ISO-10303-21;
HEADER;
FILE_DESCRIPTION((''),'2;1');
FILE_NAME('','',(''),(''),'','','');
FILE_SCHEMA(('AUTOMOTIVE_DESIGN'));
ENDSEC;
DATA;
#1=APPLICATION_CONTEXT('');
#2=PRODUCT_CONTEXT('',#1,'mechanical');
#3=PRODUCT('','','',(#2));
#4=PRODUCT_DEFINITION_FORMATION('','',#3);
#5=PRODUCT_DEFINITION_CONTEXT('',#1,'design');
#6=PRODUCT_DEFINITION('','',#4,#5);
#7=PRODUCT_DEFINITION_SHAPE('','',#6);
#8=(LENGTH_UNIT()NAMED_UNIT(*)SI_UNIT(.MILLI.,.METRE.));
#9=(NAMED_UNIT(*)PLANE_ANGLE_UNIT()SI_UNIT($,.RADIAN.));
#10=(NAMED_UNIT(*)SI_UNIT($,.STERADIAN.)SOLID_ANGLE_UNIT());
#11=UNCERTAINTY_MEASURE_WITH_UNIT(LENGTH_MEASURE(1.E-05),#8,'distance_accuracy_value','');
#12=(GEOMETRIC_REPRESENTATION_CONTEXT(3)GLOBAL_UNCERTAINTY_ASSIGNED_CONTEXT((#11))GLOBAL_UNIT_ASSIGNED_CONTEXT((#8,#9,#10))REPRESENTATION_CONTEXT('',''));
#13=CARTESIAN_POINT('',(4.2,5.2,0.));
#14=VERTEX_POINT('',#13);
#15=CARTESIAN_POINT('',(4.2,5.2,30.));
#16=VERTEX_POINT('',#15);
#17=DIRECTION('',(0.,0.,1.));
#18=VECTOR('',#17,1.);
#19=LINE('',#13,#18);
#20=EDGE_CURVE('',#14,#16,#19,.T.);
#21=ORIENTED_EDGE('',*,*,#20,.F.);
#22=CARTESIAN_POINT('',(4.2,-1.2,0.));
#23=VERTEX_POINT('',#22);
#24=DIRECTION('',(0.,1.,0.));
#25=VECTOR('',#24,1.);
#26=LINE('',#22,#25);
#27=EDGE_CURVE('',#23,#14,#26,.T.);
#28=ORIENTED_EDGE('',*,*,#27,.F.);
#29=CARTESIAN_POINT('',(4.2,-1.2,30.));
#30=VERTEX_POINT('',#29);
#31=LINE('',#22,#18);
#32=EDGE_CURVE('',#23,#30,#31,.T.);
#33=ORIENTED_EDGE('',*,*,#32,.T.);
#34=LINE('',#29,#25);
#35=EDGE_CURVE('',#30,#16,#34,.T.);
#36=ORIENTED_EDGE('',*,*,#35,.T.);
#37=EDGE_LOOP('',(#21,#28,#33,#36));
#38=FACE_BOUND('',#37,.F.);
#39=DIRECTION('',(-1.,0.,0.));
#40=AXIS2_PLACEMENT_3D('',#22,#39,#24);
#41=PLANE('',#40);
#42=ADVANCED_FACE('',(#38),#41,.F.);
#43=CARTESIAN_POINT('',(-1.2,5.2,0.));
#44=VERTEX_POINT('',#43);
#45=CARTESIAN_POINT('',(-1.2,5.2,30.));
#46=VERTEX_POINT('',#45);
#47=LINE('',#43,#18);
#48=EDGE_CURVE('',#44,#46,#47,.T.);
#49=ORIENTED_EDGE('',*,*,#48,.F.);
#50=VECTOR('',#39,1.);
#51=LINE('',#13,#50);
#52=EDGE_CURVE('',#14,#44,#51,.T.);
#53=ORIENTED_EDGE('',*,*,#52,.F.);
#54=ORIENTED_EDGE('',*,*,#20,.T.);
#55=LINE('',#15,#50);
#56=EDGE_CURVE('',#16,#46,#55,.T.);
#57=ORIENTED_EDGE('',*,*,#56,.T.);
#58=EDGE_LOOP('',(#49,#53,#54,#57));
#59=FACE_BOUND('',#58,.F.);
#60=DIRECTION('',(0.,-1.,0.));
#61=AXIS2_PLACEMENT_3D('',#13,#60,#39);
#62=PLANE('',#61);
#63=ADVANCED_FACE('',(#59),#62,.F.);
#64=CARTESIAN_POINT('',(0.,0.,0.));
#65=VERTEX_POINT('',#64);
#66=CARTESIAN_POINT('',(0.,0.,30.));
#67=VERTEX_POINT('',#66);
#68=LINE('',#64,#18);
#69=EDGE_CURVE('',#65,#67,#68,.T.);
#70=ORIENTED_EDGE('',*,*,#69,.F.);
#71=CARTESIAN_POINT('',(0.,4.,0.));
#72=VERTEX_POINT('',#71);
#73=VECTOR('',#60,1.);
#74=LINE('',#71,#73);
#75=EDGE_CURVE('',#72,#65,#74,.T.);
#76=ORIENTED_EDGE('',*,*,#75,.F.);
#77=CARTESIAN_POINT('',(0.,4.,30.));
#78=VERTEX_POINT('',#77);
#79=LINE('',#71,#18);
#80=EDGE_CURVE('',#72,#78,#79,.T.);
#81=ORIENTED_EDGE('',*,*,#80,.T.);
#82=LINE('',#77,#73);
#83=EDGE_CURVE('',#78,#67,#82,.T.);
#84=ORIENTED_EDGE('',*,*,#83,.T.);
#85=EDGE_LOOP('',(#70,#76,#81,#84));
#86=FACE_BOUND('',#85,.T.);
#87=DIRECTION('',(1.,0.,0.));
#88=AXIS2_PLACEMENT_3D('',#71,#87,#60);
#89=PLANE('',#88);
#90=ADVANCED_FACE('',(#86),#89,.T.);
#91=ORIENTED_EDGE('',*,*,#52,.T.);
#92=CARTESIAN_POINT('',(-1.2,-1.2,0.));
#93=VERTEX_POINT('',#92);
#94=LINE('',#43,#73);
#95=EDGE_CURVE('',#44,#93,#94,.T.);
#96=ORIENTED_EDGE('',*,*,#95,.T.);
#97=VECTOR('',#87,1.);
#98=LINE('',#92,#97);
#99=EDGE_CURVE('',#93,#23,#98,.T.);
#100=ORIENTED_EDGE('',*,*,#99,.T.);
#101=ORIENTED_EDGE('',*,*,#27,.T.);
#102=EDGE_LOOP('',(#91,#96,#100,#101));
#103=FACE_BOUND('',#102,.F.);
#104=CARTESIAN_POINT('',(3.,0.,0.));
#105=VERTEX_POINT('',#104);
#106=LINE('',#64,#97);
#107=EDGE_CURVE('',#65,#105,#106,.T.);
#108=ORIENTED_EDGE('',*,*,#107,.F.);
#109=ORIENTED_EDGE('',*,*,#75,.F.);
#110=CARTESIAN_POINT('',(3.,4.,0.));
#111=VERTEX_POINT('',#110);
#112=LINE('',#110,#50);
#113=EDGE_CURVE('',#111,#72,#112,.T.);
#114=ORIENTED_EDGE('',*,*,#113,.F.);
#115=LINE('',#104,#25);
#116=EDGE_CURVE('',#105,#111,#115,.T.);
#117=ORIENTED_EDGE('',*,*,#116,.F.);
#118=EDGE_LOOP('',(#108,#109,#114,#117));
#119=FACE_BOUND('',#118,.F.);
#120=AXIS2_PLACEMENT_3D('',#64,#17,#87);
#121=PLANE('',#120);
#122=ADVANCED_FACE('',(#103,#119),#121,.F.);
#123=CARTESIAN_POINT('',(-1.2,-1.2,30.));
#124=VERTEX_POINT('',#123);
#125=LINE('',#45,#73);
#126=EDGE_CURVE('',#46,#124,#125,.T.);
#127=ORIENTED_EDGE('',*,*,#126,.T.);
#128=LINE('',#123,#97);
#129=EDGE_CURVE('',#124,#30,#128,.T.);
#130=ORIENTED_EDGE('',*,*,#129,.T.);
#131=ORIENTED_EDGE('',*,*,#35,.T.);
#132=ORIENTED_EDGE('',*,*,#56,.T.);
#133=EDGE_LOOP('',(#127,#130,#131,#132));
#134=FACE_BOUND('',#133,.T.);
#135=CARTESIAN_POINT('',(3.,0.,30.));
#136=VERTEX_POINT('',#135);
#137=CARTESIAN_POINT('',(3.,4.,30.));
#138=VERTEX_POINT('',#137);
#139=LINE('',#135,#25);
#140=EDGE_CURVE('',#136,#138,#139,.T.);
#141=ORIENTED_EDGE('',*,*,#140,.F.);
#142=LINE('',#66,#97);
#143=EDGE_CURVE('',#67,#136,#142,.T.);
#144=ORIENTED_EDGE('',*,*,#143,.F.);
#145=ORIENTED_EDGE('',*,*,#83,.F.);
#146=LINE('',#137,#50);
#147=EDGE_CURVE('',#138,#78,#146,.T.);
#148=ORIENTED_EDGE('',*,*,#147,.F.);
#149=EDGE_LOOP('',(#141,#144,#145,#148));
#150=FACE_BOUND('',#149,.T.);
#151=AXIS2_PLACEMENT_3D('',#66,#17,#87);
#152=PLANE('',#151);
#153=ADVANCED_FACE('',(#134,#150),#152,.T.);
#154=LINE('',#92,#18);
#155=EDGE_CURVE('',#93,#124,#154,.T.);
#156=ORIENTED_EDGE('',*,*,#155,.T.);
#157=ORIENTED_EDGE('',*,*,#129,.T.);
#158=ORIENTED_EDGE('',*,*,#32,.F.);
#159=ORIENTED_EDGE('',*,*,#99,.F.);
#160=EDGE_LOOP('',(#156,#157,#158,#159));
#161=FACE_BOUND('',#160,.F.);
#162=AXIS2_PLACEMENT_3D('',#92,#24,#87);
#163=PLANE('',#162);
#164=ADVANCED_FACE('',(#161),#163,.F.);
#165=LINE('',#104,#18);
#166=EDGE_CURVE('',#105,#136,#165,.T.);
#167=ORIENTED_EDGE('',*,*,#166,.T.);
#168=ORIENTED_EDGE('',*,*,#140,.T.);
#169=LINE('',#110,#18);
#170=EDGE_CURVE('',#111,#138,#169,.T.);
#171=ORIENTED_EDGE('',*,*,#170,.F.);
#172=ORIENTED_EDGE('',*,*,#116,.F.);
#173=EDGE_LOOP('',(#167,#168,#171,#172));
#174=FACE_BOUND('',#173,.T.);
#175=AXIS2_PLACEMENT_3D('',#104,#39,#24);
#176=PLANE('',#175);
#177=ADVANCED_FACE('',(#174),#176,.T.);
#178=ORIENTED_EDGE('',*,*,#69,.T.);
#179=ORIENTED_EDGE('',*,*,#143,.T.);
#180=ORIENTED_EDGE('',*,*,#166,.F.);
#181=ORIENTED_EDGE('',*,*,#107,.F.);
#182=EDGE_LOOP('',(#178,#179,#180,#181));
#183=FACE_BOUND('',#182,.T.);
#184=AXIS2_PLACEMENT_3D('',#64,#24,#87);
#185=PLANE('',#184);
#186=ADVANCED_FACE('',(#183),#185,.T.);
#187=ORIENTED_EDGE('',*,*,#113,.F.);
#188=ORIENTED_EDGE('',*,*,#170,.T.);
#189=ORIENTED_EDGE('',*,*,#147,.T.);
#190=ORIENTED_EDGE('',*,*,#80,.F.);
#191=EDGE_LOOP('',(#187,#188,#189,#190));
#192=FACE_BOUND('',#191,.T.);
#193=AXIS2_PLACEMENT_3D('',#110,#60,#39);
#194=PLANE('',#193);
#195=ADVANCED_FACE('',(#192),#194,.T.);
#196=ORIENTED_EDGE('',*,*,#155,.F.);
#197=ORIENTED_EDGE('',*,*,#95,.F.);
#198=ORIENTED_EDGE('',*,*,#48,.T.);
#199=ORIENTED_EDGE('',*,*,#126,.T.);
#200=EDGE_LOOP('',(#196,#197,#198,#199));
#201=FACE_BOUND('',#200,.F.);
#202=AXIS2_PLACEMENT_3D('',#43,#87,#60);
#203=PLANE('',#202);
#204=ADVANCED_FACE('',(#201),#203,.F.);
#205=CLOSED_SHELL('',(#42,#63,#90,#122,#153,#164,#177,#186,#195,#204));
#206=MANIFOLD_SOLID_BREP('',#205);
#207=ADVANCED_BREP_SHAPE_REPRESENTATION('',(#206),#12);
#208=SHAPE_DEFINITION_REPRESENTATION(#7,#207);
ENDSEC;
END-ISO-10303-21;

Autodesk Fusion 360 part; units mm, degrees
sketch "Sketch1" plane through (0, 0, 0) normal (0, 0, 1) x (1, 0, 0)
  line L0 (0, 0) -> (3, 0)
  line L1 (3, 0) -> (3, 4)
  line L2 (3, 4) -> (0, 4)
  line L3 (0, 4) -> (0, 0)
  line L4 (-1.2, -1.2) -> (4.2, -1.2)
  line L5 (4.2, -1.2) -> (4.2, 5.2)
  line L6 (4.2, 5.2) -> (-1.2, 5.2)
  line L7 (-1.2, 5.2) -> (-1.2, -1.2)
  dimension "d1" = 3
  dimension "d2" = 4
  dimension "d3" = 1.2
  dimension "d4" = 1.2
  dimension "d5" = 1.2
  dimension "d6" = 1.2
extrude "Extrude1" add sketch "Sketch1" along normal blind 30
